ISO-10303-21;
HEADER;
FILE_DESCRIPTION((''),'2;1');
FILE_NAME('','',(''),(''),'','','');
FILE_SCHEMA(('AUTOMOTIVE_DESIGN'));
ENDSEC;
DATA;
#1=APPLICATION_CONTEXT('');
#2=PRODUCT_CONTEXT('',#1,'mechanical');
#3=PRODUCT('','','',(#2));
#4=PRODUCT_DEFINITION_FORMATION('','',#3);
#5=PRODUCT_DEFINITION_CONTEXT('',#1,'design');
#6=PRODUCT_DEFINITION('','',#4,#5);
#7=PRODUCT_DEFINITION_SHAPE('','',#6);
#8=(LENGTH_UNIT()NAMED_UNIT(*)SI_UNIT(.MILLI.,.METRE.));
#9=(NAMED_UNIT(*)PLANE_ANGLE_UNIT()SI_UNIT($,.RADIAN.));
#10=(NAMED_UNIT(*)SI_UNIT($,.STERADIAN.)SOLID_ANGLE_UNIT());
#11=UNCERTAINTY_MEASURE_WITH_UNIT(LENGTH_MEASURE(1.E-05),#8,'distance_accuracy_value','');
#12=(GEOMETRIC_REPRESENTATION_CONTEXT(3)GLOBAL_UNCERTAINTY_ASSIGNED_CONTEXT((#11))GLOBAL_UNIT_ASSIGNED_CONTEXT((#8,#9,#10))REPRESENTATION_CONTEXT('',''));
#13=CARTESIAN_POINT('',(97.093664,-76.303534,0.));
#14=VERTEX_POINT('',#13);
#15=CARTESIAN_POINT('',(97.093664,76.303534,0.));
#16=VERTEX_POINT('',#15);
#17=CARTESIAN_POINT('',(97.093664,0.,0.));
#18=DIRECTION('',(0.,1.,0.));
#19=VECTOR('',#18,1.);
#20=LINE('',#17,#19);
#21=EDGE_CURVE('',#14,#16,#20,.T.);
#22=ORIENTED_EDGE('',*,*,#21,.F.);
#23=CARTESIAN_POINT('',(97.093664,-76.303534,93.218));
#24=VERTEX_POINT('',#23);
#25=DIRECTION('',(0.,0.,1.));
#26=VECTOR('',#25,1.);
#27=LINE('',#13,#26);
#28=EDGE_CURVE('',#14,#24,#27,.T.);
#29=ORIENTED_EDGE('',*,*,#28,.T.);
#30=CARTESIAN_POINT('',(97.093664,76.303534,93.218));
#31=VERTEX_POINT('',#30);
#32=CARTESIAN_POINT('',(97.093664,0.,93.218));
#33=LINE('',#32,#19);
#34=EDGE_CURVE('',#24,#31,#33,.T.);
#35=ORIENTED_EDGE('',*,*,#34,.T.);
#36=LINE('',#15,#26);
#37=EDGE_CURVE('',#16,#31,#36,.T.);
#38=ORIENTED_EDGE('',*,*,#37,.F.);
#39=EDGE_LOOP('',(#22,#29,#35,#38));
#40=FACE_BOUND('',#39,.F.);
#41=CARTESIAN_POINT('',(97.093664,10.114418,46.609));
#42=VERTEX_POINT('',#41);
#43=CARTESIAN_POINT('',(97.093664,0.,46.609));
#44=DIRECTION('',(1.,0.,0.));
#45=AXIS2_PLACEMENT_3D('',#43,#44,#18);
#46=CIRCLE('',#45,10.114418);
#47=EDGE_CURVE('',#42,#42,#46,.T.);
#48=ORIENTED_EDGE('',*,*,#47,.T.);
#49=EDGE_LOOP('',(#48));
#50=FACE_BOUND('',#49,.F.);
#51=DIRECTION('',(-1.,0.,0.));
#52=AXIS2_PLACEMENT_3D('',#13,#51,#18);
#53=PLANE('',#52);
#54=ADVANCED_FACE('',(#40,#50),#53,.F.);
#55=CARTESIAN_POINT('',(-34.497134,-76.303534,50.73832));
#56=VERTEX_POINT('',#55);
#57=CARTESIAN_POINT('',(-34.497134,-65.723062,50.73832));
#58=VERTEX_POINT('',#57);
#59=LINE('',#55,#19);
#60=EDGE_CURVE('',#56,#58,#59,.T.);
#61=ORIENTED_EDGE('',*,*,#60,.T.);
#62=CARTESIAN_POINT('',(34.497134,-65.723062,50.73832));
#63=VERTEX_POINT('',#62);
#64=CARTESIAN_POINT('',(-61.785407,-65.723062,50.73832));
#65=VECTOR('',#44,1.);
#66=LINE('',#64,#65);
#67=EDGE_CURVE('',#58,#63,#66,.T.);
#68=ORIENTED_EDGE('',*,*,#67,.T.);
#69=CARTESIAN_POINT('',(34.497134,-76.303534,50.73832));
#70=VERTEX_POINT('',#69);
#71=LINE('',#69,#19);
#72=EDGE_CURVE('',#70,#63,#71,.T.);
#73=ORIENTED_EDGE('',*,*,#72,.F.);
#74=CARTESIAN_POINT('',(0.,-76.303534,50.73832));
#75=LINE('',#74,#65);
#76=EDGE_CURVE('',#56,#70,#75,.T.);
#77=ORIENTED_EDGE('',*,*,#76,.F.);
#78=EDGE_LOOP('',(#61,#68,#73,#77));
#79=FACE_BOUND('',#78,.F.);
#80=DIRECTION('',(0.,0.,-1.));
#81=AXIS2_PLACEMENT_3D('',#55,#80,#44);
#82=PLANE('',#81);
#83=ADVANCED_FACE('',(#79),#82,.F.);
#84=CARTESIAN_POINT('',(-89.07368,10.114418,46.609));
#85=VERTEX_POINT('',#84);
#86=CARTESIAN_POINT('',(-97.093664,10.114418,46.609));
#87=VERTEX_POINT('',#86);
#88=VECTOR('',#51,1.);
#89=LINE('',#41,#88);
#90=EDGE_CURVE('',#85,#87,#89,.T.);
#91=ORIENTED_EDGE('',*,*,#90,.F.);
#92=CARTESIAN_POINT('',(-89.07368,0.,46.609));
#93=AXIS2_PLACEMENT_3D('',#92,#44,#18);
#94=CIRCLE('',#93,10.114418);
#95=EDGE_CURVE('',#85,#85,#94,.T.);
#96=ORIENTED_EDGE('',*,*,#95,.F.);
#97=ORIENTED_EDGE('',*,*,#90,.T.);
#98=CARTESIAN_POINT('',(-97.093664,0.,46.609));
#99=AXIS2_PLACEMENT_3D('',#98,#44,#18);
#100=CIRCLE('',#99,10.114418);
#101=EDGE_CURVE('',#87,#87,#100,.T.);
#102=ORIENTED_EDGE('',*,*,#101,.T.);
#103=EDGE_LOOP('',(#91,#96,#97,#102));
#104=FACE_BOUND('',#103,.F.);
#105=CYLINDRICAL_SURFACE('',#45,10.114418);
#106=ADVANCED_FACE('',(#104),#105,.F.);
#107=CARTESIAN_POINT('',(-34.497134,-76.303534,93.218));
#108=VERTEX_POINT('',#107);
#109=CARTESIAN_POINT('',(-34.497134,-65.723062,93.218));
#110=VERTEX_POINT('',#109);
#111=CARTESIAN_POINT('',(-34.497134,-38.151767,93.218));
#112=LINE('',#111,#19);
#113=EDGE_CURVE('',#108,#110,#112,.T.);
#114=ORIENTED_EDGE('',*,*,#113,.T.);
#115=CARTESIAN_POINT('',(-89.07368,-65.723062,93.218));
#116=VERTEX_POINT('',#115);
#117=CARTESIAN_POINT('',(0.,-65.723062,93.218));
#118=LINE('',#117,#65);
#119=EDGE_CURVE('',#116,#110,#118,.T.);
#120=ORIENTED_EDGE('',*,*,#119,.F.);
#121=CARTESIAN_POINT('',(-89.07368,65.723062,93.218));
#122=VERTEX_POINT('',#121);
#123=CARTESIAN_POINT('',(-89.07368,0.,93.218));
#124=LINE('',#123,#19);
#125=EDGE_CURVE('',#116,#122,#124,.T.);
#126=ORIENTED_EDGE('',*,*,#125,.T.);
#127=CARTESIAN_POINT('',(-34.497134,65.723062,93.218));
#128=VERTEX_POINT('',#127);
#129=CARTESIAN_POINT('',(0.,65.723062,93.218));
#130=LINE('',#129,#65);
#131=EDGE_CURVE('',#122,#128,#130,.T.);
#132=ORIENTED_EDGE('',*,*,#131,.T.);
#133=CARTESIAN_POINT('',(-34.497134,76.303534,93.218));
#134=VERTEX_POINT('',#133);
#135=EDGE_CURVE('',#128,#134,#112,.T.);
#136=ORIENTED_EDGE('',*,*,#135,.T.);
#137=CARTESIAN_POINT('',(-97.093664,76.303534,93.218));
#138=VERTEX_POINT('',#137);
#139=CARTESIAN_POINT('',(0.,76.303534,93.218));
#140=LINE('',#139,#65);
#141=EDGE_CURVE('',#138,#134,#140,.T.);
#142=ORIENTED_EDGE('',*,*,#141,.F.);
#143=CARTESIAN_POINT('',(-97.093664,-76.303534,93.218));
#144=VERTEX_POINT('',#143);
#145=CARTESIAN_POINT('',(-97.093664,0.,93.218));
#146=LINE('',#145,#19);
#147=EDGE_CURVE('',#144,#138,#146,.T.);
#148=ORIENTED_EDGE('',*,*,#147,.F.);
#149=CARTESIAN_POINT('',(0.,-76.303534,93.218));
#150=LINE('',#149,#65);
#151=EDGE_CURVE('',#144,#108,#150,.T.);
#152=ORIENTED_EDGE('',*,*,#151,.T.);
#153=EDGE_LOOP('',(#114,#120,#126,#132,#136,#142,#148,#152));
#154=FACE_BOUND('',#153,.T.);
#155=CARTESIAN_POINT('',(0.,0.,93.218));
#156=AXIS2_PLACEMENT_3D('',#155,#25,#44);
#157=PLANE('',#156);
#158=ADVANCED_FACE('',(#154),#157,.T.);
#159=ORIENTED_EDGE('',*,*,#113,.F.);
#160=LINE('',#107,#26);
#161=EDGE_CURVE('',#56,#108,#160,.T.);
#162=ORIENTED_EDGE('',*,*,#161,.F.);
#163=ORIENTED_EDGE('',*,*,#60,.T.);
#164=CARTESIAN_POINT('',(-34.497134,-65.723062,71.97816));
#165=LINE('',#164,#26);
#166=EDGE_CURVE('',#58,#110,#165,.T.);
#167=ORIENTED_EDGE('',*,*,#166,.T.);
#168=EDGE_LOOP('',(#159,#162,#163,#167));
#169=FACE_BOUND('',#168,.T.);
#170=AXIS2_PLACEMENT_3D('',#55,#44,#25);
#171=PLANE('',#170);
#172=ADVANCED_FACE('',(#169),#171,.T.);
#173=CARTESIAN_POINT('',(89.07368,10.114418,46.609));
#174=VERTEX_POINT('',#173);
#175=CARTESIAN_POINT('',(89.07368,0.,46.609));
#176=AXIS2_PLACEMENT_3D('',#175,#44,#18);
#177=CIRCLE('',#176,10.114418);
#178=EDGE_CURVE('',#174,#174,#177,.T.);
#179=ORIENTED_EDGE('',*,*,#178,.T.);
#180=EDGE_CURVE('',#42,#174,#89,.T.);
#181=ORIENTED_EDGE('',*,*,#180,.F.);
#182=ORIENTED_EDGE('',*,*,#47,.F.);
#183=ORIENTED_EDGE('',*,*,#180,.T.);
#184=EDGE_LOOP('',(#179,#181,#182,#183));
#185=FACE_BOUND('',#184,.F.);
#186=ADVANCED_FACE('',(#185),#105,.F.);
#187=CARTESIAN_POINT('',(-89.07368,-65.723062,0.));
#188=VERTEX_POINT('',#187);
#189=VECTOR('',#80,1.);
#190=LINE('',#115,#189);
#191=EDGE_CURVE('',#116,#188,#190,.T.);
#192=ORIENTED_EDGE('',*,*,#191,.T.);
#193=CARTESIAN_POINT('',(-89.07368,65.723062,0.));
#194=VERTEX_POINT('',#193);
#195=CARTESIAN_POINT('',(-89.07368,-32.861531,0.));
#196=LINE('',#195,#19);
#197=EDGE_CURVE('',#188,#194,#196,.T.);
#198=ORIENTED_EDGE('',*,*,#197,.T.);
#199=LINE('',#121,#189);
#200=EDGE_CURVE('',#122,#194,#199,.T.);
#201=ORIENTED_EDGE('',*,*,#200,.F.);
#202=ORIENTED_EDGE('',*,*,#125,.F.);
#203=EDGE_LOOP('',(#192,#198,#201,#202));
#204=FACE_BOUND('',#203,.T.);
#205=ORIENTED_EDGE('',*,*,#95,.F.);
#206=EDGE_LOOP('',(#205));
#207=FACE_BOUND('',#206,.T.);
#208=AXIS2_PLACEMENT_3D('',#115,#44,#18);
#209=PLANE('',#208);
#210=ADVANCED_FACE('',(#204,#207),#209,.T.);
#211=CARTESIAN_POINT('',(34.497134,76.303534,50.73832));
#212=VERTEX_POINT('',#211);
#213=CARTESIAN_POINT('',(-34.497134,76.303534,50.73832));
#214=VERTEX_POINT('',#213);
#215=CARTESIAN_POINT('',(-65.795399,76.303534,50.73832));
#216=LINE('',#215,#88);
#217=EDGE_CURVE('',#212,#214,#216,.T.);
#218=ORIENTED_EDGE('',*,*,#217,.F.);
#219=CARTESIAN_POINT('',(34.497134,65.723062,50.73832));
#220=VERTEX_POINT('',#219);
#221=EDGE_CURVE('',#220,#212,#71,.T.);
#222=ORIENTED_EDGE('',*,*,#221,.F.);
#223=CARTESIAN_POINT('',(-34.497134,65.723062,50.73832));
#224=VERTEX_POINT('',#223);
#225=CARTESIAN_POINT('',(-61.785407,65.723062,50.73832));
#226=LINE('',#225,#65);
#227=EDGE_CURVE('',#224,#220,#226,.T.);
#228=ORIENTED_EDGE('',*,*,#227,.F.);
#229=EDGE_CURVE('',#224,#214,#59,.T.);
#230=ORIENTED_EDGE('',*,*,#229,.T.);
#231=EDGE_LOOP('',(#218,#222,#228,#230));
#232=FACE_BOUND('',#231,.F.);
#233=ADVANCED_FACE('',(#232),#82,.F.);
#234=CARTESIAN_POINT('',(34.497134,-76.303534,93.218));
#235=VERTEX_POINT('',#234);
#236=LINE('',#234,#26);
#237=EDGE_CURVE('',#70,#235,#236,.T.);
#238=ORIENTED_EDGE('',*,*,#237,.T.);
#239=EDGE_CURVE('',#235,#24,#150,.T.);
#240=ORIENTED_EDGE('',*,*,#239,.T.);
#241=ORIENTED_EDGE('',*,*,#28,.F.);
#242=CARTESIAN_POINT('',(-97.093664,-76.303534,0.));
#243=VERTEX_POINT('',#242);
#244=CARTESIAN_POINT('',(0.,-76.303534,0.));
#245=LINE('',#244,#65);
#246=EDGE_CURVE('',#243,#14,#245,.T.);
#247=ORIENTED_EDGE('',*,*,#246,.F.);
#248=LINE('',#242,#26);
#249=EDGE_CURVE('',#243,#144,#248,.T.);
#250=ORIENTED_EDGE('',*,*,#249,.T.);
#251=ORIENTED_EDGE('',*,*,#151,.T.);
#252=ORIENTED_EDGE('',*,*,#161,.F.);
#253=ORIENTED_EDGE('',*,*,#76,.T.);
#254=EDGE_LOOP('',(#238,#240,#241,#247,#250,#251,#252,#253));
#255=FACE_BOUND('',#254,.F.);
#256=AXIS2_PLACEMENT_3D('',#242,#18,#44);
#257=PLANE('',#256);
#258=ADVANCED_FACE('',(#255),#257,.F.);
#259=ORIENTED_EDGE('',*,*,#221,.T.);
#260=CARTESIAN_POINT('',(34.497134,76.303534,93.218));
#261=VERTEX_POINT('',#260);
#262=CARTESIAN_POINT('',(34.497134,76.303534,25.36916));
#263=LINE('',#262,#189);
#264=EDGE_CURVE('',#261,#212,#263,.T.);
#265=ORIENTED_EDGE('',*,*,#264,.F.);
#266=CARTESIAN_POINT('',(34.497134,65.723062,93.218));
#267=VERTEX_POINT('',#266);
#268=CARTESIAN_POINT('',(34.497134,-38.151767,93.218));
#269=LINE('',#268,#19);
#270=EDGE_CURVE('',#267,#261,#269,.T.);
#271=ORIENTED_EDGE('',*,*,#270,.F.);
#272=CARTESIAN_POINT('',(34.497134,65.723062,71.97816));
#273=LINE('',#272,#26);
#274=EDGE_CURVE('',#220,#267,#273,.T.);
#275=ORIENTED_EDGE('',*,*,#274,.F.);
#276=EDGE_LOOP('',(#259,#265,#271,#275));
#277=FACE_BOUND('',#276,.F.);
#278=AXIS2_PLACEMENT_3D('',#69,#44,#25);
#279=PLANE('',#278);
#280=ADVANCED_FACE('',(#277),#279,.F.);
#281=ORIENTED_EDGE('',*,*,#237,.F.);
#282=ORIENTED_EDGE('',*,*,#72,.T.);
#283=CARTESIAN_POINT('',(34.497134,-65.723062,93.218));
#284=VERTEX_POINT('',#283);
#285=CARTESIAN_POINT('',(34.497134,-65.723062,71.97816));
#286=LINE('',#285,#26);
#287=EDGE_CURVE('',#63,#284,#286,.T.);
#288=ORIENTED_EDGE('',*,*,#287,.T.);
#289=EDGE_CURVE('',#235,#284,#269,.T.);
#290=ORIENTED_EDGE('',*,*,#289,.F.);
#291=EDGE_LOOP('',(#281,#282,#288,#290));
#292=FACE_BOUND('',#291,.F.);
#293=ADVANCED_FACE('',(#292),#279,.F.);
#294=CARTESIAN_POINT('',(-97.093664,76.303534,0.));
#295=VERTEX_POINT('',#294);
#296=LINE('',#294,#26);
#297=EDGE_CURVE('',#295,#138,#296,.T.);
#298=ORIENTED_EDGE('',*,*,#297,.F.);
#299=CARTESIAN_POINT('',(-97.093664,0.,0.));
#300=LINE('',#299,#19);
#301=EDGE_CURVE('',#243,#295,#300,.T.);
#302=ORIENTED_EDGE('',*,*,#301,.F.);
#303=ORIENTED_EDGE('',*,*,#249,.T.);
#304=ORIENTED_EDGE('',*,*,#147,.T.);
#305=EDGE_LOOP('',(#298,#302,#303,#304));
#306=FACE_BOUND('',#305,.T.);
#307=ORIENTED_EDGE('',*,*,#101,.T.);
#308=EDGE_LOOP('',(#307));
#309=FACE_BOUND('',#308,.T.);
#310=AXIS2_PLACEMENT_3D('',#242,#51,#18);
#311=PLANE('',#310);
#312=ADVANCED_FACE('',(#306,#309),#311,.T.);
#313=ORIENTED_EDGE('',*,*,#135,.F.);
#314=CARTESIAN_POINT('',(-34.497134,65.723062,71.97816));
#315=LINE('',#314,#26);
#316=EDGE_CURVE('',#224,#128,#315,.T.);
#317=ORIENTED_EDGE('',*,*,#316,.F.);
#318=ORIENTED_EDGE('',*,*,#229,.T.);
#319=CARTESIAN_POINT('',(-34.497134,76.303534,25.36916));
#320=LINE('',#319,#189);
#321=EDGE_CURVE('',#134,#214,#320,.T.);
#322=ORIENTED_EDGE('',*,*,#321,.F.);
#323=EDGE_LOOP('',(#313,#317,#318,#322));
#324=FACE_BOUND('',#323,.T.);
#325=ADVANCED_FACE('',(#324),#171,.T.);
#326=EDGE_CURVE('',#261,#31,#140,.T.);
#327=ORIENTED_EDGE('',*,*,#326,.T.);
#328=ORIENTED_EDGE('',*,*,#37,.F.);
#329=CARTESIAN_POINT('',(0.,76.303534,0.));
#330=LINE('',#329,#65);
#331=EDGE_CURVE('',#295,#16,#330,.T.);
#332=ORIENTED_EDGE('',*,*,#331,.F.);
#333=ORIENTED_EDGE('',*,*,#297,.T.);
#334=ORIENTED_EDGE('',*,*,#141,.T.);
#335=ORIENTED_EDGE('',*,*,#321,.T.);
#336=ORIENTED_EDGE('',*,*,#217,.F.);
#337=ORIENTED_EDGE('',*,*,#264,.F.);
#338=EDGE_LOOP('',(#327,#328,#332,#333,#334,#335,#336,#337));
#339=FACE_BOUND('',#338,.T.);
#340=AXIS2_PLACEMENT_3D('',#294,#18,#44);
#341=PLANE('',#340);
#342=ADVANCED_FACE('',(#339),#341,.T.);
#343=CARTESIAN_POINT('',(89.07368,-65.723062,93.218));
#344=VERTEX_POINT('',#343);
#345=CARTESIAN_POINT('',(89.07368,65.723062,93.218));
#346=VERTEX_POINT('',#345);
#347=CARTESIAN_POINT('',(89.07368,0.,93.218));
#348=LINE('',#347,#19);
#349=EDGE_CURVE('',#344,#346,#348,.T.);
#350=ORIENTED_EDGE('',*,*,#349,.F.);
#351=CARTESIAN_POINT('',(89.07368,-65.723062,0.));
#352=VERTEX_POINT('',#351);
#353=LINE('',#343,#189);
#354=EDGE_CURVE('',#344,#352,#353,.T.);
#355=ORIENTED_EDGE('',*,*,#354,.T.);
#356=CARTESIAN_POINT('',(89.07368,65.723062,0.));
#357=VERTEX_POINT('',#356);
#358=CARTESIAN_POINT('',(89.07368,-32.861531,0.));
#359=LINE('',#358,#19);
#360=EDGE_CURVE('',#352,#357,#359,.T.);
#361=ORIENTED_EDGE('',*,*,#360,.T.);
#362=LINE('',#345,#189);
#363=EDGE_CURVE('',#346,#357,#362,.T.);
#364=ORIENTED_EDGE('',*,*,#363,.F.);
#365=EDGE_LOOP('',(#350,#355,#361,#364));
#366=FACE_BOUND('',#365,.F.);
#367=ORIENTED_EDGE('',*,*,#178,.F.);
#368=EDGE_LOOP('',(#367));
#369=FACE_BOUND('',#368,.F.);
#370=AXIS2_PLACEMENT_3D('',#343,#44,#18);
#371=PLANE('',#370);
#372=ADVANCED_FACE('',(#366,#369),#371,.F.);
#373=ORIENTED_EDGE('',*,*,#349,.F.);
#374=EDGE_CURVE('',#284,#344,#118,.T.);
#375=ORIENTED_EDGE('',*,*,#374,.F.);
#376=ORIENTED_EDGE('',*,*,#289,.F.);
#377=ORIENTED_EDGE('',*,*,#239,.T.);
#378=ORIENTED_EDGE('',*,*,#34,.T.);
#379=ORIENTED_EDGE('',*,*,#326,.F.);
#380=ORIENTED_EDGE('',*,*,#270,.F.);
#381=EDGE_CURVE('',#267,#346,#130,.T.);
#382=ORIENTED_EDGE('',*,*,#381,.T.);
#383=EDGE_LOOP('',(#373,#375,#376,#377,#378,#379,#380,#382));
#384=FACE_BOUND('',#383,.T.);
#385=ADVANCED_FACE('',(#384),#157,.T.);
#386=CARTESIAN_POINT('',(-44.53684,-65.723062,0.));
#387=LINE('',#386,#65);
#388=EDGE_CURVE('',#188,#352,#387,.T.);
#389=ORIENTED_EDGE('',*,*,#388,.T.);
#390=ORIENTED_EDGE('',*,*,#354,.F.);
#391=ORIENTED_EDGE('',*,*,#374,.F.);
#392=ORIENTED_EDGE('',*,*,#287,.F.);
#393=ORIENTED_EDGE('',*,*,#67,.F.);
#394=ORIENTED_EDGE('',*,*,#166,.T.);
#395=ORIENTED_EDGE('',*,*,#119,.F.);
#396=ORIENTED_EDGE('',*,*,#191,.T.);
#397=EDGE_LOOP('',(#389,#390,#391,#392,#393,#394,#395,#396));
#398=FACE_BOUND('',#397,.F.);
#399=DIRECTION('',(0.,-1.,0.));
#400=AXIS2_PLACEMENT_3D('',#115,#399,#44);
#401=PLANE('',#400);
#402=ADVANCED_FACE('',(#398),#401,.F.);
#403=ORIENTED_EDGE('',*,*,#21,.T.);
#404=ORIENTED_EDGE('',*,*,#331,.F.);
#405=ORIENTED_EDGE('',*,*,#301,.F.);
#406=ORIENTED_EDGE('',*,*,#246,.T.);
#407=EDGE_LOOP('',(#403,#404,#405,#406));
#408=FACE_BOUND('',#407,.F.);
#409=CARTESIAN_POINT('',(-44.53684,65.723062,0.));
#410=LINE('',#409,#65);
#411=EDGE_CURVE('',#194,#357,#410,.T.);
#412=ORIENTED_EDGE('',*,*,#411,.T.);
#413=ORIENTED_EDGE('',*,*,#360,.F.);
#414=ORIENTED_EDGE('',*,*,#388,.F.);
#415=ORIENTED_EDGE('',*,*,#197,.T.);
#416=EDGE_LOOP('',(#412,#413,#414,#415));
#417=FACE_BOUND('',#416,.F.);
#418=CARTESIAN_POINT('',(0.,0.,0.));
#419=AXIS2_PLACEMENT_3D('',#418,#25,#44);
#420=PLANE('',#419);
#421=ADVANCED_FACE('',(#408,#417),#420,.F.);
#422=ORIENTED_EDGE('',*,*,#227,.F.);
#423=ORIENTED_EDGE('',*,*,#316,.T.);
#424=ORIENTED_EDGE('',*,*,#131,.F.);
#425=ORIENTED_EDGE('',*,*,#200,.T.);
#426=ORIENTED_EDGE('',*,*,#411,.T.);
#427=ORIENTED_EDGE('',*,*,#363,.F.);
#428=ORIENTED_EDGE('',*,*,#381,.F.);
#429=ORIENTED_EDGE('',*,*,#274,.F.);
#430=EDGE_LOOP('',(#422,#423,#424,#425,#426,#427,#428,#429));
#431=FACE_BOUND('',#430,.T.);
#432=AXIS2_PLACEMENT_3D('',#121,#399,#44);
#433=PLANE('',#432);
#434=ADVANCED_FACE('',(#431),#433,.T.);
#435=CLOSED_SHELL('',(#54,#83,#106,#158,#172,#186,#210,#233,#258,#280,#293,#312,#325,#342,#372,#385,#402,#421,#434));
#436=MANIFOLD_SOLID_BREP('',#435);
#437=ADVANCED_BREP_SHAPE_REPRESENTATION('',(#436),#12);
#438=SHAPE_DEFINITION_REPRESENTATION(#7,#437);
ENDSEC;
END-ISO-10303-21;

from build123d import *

# Parameters (mm, degrees)
F0_W     = 194.187328
F0_H     = 152.607068
F1_DEPTH = 93.218
F2_W     = 178.14736
F2_H     = 131.446124
F3_DEPTH = 149.606
F4_W     = 68.994268
F4_H     = 84.95936
F5_DEPTH = 236.728
F6_R     = 10.114418
F7_DEPTH = 293.624


with BuildPart() as f1:
    # F0 (on Top) → F1 (new body)
    with BuildSketch(Plane.XY):
        Rectangle(F0_W, F0_H)
    extrude(amount=F1_DEPTH)

    # F2 (on face) → F3 (cut)
    with BuildSketch(Plane.XY.offset(93.218)):
        Rectangle(F2_W, F2_H)
    extrude(amount=-F3_DEPTH, mode=Mode.SUBTRACT)

    # F4 (on face) → F5 (cut)
    with BuildSketch(Plane.XZ.offset(76.303534)):
        with Locations((0, 93.218)):
            Rectangle(F4_W, F4_H)
    extrude(amount=-F5_DEPTH, mode=Mode.SUBTRACT)

    # F6 (on face) → F7 (cut)
    with BuildSketch(Plane.YZ.offset(97.093664)):
        with Locations((0, 46.609)):
            Circle(F6_R)
    extrude(amount=-F7_DEPTH, mode=Mode.SUBTRACT)


solid = f1.part
